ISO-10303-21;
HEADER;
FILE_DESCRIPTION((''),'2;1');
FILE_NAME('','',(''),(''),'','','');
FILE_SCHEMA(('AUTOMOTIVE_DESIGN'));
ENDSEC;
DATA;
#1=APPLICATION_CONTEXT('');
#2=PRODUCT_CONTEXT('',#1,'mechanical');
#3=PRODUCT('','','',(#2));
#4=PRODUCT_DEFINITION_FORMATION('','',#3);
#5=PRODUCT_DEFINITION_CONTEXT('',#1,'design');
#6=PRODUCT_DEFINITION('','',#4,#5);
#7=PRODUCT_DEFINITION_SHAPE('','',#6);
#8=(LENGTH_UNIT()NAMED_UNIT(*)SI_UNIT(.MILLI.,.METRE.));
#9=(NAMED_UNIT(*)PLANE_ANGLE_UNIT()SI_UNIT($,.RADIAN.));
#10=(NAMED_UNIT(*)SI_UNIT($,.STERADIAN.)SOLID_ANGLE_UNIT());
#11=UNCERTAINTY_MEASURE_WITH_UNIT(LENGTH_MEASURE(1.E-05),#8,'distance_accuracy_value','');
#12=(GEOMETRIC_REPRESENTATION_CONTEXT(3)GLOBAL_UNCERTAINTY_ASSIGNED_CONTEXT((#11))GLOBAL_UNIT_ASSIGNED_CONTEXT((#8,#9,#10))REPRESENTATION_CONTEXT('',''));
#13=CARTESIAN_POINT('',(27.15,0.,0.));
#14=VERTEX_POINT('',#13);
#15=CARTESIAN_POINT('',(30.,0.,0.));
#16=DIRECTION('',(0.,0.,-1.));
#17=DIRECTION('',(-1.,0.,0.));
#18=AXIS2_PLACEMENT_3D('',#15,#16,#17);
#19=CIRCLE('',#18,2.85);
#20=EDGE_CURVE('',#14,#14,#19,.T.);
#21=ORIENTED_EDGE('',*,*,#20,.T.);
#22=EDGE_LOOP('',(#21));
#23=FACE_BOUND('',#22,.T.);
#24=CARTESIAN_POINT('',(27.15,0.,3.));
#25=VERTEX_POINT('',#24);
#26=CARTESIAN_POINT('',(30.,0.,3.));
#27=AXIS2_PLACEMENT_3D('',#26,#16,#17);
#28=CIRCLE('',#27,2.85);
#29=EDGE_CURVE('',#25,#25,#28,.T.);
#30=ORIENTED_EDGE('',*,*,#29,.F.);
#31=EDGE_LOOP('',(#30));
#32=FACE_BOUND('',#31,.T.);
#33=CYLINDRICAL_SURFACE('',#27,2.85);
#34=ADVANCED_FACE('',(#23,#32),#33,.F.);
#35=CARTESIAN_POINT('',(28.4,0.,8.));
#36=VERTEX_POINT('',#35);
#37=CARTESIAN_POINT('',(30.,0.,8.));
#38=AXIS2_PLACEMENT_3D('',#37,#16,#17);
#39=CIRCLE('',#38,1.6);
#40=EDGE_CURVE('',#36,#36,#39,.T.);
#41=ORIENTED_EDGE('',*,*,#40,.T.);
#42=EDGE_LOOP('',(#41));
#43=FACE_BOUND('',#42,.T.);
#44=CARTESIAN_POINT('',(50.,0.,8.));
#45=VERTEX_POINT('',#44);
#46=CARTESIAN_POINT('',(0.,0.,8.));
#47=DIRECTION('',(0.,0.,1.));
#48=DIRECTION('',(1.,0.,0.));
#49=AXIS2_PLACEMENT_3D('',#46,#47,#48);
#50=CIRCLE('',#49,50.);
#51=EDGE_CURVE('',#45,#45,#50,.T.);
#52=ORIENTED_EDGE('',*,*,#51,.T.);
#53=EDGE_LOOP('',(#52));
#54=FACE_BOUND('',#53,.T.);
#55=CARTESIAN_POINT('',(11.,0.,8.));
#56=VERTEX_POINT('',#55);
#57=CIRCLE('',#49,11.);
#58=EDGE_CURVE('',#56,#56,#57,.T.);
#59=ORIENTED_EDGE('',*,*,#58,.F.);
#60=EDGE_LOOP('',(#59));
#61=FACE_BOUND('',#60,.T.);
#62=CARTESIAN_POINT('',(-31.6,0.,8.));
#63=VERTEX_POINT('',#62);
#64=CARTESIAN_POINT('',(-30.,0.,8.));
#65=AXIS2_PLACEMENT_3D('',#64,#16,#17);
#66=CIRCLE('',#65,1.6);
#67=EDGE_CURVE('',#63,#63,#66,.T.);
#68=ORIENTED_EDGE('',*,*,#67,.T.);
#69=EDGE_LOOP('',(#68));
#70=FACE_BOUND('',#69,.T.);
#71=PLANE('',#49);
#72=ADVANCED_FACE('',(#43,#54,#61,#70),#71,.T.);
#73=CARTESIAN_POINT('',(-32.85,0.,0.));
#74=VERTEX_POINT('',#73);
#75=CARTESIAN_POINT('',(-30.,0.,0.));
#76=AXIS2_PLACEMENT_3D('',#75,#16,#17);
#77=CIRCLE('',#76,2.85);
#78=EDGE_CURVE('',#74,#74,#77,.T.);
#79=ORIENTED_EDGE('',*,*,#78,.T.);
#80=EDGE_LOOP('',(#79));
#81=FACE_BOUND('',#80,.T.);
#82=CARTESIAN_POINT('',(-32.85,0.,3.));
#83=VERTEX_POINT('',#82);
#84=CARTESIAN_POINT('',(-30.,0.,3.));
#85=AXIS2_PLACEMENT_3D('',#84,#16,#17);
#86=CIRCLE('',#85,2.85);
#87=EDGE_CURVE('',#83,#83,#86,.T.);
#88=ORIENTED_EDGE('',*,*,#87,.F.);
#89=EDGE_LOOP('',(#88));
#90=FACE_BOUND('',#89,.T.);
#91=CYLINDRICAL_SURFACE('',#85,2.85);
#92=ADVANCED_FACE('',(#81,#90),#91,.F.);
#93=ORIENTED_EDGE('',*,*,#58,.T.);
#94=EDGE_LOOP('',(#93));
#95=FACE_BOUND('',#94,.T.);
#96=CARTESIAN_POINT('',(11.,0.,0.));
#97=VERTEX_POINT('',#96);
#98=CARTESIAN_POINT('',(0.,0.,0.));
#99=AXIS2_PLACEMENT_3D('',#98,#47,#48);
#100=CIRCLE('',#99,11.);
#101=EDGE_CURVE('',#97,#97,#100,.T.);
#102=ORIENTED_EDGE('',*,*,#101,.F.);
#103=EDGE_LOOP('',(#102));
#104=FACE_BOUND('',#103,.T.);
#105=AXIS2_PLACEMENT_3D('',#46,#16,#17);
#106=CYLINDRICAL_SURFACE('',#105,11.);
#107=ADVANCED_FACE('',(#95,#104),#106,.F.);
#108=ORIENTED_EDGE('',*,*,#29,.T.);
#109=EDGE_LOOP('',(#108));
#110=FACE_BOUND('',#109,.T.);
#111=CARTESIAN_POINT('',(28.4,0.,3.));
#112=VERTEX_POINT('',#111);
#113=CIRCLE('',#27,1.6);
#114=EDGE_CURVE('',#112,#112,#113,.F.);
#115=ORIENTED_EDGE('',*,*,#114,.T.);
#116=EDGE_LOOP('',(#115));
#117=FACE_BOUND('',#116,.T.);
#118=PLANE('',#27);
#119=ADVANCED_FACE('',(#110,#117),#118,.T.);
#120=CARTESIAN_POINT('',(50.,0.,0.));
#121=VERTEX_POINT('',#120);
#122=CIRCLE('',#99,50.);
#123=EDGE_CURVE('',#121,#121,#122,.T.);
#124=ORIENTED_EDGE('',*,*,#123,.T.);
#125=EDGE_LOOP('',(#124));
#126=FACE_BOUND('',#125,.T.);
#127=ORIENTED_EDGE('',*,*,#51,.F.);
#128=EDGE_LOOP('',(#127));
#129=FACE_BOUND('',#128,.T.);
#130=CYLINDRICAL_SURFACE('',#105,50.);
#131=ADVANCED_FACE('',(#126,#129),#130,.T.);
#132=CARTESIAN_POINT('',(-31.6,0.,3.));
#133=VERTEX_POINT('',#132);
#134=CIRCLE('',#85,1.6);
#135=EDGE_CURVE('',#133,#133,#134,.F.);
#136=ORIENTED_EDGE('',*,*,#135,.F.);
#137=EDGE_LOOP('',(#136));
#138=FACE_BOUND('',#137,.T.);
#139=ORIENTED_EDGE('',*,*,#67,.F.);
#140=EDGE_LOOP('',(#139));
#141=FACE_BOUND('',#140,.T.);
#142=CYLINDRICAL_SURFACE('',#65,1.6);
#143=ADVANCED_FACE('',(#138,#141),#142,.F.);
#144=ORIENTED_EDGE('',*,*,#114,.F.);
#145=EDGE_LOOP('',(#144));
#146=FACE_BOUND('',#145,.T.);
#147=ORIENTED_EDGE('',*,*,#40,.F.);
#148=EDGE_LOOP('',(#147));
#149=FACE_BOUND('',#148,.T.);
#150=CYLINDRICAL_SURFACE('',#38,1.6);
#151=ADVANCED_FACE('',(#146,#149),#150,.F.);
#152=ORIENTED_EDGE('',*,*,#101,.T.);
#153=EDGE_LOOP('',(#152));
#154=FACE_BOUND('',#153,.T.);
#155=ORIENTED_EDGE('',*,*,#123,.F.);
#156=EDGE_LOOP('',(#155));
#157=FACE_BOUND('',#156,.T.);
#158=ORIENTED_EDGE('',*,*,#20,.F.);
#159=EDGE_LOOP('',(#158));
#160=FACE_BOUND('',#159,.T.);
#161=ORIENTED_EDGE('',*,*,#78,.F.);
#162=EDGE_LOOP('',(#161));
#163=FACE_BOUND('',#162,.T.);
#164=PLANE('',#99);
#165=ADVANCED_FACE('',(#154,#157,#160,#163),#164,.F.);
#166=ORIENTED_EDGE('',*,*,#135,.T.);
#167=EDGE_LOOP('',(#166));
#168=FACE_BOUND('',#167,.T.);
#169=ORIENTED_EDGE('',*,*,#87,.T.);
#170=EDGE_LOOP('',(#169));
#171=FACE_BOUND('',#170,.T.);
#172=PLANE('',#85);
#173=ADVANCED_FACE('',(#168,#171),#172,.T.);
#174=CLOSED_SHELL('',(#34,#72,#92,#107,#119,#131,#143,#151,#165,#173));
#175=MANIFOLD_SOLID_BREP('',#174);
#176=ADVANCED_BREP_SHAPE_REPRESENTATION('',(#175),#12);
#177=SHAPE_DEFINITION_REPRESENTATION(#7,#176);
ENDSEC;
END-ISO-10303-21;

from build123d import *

# Parameters (mm, degrees)
ESQUISSE1_R             = 50
ESQUISSE1_R_2           = 11
BOSS_EXTRU_1_DEPTH      = 8
ESQUISSE2_R             = 1.6
ENL_V_MAT_EXTRU_1_DEPTH = 72.161787499
ESQUISSE3_R             = 2.85
ENL_V_MAT_EXTRU_2_DEPTH = 3


with BuildPart() as part:
    # Esquisse1 → Boss.-Extru.1 (new body)
    with BuildSketch(Plane.XY):
        Circle(ESQUISSE1_R)
        Circle(ESQUISSE1_R_2, mode=Mode.SUBTRACT)
    extrude(amount=BOSS_EXTRU_1_DEPTH)

    # Esquisse2 → Enlèv. mat.-Extru.1 (cut, through all)
    with BuildSketch(Plane(origin=(0, 0, 0), x_dir=(-1, 0, 0), z_dir=(0, 0, -1))):
        with Locations((30, 0)):
            Circle(ESQUISSE2_R)
        with Locations((-30, 0)):
            Circle(ESQUISSE2_R)
    extrude(amount=-ENL_V_MAT_EXTRU_1_DEPTH, mode=Mode.SUBTRACT)

    # Esquisse3 → Enlèv. mat.-Extru.2 (cut)
    with BuildSketch(Plane(origin=(0, 0, 0), x_dir=(-1, 0, 0), z_dir=(0, 0, -1))):
        with Locations((30, 0)):
            Circle(ESQUISSE3_R)
        with Locations((-30, 0)):
            Circle(ESQUISSE3_R)
    extrude(amount=-ENL_V_MAT_EXTRU_2_DEPTH, mode=Mode.SUBTRACT)


solid = part.part
